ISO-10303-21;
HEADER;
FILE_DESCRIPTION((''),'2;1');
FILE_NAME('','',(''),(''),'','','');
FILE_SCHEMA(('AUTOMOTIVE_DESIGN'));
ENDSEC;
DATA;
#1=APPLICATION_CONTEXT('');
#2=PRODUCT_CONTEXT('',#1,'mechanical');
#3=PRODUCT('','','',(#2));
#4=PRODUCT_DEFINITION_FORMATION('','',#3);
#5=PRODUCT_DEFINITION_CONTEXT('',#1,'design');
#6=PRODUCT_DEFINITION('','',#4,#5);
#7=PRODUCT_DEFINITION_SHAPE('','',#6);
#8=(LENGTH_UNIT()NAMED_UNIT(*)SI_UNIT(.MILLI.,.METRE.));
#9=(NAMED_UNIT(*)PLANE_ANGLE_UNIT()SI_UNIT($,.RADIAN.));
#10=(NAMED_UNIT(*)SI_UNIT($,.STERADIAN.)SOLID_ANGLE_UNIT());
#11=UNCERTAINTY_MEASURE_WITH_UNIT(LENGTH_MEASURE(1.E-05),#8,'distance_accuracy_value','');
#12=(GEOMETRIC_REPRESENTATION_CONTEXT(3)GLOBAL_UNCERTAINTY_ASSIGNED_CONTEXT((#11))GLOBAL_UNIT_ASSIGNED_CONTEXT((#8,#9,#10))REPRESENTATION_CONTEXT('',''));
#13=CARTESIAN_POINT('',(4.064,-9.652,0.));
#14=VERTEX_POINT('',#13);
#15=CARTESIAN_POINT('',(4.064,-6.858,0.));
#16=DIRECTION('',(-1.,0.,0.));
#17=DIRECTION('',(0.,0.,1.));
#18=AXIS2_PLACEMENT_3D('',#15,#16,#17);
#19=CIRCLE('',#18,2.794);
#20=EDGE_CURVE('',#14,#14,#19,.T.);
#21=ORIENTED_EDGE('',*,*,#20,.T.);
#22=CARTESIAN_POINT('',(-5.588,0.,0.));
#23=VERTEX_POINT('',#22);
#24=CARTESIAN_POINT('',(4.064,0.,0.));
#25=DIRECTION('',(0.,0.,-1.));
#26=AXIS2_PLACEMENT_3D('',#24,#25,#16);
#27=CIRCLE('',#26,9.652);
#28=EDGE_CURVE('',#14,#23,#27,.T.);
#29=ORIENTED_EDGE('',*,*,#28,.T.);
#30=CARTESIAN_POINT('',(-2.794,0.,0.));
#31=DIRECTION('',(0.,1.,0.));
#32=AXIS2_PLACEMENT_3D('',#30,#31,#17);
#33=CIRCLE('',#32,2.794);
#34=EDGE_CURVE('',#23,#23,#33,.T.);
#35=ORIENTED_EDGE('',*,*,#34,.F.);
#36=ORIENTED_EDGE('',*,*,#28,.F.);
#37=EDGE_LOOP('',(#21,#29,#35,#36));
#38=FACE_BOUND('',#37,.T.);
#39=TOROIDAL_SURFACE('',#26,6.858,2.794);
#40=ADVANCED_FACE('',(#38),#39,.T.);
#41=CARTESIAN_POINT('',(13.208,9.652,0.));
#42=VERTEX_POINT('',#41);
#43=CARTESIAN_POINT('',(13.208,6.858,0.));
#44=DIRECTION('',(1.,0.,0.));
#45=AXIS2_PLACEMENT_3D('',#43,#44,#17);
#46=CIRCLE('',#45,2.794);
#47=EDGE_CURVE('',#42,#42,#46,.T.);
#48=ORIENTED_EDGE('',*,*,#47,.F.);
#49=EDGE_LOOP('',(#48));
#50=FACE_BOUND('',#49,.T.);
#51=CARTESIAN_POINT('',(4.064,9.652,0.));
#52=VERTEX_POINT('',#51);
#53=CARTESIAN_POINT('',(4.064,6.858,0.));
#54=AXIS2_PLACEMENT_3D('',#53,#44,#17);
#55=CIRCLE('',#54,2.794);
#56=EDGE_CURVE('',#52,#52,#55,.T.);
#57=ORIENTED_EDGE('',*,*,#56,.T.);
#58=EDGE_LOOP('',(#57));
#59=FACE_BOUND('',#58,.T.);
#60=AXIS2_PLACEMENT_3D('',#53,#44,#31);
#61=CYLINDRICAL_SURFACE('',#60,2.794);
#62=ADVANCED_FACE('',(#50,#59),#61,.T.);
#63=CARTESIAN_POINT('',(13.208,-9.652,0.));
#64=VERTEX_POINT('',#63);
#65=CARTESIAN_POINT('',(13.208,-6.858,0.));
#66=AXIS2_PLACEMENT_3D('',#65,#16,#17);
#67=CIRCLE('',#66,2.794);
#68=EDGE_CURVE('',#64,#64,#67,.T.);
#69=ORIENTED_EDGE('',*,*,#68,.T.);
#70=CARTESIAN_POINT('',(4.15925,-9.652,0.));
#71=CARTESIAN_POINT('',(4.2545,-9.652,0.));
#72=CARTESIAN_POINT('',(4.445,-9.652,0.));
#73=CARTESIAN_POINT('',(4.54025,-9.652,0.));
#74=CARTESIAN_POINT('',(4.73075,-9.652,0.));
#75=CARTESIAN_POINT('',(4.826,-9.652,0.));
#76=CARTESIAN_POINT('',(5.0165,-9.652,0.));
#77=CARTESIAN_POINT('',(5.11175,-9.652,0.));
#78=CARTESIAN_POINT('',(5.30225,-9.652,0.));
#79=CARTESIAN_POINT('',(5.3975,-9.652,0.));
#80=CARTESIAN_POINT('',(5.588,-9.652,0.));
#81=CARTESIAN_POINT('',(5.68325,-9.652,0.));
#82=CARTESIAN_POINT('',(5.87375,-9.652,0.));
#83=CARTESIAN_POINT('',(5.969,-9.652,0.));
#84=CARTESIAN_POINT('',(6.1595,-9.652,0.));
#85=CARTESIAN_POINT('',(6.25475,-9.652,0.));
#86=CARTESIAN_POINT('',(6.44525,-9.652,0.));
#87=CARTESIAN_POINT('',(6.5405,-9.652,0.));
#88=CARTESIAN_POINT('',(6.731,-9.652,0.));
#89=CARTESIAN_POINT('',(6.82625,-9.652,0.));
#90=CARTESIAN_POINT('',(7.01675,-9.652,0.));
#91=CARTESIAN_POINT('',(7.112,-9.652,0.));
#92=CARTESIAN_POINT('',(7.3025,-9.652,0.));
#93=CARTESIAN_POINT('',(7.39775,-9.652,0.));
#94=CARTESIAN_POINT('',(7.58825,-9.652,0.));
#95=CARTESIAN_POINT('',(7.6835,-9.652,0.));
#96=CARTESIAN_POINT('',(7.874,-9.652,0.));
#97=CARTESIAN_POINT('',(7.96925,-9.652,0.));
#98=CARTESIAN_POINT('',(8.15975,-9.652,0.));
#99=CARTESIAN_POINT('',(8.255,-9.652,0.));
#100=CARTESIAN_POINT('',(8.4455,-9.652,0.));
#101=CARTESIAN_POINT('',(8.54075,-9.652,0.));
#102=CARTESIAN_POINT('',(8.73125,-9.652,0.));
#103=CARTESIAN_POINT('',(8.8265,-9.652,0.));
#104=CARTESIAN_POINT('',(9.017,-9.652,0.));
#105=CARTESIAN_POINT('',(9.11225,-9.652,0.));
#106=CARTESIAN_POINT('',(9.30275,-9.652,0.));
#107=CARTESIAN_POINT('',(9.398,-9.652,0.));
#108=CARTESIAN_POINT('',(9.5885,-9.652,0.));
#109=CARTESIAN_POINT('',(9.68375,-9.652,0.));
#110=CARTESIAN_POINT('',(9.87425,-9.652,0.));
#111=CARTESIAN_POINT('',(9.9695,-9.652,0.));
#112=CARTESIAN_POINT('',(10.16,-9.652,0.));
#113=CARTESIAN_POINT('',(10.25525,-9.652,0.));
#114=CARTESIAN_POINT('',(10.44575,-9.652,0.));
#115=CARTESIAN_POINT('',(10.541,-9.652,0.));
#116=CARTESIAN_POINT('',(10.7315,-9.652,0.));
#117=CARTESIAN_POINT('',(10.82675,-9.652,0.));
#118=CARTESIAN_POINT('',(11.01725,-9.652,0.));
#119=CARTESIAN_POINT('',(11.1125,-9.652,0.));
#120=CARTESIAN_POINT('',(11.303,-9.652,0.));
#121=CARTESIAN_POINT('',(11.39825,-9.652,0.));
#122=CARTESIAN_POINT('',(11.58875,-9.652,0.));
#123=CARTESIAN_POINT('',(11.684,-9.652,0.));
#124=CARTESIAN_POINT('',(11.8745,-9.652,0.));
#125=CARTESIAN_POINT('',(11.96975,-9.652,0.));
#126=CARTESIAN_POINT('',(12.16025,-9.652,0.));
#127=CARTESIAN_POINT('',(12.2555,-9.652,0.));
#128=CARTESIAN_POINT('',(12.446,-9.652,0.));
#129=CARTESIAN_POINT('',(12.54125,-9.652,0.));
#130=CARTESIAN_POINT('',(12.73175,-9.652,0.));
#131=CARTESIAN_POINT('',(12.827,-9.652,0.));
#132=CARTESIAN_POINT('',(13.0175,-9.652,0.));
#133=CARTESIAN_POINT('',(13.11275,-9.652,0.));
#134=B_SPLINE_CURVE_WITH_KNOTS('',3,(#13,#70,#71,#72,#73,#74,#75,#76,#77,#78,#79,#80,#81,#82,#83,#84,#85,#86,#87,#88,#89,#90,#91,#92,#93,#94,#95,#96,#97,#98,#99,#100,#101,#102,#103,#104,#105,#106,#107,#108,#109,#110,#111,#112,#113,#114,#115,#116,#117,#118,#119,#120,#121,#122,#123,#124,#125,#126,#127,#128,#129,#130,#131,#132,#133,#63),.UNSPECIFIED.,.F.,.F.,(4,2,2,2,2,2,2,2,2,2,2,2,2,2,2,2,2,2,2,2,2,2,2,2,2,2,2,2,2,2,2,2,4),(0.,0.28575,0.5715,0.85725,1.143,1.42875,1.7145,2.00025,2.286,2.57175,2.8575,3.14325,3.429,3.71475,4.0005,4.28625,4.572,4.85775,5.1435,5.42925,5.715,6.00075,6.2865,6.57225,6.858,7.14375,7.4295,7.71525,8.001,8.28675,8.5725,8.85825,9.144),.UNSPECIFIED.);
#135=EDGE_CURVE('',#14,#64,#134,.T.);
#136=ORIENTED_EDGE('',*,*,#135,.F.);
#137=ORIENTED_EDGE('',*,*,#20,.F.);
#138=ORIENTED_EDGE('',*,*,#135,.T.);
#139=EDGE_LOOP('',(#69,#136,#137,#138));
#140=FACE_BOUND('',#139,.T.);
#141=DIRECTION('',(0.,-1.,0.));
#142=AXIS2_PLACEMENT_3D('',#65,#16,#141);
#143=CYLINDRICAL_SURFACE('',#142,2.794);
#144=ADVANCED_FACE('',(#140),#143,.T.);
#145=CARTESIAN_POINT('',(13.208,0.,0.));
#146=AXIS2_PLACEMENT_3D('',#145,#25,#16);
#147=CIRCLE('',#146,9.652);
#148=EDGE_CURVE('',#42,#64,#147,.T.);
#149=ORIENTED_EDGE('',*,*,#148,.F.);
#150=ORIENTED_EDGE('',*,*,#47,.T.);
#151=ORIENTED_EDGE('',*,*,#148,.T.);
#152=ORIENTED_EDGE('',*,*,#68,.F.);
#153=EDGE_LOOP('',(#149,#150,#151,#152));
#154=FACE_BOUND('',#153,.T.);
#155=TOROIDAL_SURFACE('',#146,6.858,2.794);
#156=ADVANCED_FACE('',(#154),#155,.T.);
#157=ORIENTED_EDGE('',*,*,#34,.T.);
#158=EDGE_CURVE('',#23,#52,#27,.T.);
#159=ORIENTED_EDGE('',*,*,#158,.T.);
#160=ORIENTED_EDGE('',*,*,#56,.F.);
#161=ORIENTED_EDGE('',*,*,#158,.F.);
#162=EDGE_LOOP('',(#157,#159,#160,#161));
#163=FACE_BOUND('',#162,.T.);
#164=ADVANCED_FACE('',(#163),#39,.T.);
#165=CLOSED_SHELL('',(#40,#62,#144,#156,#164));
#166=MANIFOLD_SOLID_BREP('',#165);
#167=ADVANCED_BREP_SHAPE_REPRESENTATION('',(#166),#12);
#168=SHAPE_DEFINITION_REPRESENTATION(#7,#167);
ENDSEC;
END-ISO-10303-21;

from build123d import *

# Parameters (mm, degrees)
SKETCH5_R = 2.794


with BuildPart() as part:
    # Sweep1: sweep along a path in Sketch1
    with BuildLine(Plane.XY) as sweep1_path:
        Line((4.064, 4.064), (13.208, 4.064))
        ThreePointArc((13.208, 4.064), (17.272, 0), (13.208, -4.064))
        Line((13.208, -4.064), (4.064, -4.064))
        ThreePointArc((4.064, -4.064), (0, 0), (4.064, 4.064))
    # Sketch5 → Sweep1 (sweep)
    with BuildSketch(Plane(origin=(0, 0, 0), x_dir=(1, 0, 0), z_dir=(0, 1, 0))):
        with Locations((-2.794, 0)):
            Circle(SKETCH5_R)
    sweep(path=sweep1_path.line)


solid = part.part
